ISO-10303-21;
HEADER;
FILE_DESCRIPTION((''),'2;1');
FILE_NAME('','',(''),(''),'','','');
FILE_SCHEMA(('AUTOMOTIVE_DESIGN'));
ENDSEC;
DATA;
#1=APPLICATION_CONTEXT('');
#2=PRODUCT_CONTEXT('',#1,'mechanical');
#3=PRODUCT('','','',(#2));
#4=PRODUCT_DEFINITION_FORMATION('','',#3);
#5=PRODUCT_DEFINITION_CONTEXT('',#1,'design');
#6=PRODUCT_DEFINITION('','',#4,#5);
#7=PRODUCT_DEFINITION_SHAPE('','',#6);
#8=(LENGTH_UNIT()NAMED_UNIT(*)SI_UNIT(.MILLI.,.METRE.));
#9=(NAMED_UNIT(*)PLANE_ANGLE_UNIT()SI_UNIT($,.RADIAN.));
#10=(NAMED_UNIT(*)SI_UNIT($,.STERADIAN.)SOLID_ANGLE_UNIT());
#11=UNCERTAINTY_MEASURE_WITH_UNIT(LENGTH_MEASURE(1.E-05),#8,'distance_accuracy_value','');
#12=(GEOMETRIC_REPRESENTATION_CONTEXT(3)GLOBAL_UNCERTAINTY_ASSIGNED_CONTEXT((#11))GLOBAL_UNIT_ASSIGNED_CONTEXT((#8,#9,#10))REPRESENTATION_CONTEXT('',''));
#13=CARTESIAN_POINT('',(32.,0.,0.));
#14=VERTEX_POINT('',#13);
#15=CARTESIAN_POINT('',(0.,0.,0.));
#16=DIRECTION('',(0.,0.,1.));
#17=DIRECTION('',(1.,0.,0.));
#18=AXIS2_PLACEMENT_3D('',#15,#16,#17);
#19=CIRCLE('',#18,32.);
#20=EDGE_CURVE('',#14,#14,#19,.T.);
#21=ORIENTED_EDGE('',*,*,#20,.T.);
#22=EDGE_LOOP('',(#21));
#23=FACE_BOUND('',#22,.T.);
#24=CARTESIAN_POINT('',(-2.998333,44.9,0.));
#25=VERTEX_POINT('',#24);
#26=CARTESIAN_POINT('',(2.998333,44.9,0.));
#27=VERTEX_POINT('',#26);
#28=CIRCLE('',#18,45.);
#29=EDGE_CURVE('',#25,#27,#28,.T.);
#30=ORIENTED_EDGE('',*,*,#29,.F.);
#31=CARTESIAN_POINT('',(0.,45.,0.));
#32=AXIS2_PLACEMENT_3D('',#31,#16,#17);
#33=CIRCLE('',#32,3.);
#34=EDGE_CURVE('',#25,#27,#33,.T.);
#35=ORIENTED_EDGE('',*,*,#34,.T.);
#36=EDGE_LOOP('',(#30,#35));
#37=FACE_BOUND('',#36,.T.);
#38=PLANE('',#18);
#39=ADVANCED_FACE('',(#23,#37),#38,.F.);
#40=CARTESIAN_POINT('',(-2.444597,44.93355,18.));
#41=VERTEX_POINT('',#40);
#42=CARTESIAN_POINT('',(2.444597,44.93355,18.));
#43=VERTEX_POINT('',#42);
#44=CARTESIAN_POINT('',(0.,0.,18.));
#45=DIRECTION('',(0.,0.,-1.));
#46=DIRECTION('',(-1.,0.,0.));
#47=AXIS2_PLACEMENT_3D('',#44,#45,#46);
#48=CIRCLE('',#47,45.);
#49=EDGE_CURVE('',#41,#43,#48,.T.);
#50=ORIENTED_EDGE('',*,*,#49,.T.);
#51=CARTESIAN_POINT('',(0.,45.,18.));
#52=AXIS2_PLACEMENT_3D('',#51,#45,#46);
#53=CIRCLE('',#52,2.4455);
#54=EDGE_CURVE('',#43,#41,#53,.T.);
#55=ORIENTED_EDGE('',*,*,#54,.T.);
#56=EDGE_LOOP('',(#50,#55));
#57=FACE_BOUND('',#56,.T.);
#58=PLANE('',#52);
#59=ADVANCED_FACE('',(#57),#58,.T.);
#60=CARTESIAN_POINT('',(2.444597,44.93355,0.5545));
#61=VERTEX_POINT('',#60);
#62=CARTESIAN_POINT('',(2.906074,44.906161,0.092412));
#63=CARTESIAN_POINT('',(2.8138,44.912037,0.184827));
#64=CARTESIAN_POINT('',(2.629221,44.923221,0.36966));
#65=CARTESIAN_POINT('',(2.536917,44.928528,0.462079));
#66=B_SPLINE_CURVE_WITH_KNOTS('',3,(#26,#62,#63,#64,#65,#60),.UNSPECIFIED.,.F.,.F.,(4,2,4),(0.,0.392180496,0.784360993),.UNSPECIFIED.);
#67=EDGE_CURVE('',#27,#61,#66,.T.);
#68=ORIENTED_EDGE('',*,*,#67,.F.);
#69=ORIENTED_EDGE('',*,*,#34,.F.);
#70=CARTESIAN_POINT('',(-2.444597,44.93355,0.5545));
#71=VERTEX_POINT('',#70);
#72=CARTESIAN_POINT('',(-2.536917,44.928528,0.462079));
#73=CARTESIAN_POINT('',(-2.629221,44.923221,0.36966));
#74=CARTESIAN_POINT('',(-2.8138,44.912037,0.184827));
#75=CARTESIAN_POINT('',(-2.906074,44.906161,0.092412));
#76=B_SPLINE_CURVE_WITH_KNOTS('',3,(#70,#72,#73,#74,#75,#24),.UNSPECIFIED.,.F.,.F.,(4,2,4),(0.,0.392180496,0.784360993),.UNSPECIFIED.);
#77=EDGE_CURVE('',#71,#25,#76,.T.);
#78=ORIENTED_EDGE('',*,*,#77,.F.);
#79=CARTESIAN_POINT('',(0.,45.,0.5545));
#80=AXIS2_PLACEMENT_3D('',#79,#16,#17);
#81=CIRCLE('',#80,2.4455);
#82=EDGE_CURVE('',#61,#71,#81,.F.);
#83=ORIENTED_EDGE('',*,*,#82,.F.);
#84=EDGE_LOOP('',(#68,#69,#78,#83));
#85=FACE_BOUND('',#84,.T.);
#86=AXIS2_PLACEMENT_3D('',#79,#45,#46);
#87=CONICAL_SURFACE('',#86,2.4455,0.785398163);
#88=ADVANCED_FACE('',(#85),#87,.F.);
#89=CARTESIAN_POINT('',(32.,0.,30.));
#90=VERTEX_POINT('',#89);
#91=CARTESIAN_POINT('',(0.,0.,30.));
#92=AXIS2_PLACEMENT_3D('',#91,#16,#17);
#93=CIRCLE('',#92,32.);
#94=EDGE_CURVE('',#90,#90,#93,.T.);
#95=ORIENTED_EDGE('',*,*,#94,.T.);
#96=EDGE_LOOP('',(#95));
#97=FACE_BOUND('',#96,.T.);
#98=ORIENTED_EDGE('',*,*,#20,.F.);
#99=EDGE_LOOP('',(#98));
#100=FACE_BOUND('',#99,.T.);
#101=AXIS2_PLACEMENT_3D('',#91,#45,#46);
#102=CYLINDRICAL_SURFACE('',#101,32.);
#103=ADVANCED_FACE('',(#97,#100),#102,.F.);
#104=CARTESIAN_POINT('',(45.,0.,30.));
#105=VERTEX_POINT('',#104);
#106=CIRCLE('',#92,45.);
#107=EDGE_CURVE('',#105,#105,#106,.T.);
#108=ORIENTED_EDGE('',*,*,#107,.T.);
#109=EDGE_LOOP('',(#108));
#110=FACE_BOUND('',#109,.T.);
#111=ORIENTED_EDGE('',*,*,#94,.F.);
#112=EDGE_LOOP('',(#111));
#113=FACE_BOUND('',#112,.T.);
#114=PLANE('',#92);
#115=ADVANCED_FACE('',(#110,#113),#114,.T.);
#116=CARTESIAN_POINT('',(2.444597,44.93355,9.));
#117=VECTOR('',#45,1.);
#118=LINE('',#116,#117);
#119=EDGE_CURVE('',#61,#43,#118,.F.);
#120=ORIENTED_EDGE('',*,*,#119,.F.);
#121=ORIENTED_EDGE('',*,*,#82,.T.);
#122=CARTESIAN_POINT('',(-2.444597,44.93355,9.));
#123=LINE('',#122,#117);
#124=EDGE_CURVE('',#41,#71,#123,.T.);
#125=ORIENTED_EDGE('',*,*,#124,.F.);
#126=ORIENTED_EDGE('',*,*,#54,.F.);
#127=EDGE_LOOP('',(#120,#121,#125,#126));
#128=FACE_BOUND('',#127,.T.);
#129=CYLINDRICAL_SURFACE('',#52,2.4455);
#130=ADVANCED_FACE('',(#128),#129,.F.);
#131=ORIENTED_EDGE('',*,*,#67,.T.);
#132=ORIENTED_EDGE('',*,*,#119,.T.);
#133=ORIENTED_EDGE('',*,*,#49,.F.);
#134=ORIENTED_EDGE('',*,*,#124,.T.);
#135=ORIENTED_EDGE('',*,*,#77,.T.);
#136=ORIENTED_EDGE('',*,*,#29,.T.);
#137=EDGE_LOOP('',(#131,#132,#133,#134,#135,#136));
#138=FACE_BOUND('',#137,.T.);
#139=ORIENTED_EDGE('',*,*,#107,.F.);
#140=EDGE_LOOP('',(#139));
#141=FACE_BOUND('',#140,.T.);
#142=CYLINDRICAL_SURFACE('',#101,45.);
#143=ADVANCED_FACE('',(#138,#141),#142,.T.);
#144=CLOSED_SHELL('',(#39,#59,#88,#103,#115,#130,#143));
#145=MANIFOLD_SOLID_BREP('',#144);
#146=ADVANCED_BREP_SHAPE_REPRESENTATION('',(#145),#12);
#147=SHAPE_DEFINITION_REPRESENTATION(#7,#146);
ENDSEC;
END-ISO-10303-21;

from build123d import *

# Parameters (mm, degrees)
SKETCH_1_R          = 45
SKETCH_1_R_2        = 32
EXTRUDE_1_DEPTH     = 30
SKETCH_2_R          = 2.4455
CUT_EXTRUDE_1_DEPTH = 18
CHAMFER_1_SIZE      = 0.5545


with BuildPart() as part:
    # Эскиз1 → Бобышка-Вытянуть1 (new body)
    with BuildSketch(Plane.XY):
        Circle(SKETCH_1_R)
        Circle(SKETCH_1_R_2, mode=Mode.SUBTRACT)
    extrude(amount=EXTRUDE_1_DEPTH)

    # Эскиз2 → Вырез-Вытянуть1 (cut)
    with BuildSketch(Plane(origin=(0, 0, 0), x_dir=(-1, 0, 0), z_dir=(0, 0, -1))):
        with Locations((0, 45)):
            Circle(SKETCH_2_R)
    extrude(amount=-CUT_EXTRUDE_1_DEPTH, mode=Mode.SUBTRACT)

    # Фаска1
    chamfer_1_edges = [part.edges().sort_by_distance(p)[0] for p in [
        (0, 42.5545, 0),
    ]]
    chamfer(chamfer_1_edges, length=CHAMFER_1_SIZE)


solid = part.part
